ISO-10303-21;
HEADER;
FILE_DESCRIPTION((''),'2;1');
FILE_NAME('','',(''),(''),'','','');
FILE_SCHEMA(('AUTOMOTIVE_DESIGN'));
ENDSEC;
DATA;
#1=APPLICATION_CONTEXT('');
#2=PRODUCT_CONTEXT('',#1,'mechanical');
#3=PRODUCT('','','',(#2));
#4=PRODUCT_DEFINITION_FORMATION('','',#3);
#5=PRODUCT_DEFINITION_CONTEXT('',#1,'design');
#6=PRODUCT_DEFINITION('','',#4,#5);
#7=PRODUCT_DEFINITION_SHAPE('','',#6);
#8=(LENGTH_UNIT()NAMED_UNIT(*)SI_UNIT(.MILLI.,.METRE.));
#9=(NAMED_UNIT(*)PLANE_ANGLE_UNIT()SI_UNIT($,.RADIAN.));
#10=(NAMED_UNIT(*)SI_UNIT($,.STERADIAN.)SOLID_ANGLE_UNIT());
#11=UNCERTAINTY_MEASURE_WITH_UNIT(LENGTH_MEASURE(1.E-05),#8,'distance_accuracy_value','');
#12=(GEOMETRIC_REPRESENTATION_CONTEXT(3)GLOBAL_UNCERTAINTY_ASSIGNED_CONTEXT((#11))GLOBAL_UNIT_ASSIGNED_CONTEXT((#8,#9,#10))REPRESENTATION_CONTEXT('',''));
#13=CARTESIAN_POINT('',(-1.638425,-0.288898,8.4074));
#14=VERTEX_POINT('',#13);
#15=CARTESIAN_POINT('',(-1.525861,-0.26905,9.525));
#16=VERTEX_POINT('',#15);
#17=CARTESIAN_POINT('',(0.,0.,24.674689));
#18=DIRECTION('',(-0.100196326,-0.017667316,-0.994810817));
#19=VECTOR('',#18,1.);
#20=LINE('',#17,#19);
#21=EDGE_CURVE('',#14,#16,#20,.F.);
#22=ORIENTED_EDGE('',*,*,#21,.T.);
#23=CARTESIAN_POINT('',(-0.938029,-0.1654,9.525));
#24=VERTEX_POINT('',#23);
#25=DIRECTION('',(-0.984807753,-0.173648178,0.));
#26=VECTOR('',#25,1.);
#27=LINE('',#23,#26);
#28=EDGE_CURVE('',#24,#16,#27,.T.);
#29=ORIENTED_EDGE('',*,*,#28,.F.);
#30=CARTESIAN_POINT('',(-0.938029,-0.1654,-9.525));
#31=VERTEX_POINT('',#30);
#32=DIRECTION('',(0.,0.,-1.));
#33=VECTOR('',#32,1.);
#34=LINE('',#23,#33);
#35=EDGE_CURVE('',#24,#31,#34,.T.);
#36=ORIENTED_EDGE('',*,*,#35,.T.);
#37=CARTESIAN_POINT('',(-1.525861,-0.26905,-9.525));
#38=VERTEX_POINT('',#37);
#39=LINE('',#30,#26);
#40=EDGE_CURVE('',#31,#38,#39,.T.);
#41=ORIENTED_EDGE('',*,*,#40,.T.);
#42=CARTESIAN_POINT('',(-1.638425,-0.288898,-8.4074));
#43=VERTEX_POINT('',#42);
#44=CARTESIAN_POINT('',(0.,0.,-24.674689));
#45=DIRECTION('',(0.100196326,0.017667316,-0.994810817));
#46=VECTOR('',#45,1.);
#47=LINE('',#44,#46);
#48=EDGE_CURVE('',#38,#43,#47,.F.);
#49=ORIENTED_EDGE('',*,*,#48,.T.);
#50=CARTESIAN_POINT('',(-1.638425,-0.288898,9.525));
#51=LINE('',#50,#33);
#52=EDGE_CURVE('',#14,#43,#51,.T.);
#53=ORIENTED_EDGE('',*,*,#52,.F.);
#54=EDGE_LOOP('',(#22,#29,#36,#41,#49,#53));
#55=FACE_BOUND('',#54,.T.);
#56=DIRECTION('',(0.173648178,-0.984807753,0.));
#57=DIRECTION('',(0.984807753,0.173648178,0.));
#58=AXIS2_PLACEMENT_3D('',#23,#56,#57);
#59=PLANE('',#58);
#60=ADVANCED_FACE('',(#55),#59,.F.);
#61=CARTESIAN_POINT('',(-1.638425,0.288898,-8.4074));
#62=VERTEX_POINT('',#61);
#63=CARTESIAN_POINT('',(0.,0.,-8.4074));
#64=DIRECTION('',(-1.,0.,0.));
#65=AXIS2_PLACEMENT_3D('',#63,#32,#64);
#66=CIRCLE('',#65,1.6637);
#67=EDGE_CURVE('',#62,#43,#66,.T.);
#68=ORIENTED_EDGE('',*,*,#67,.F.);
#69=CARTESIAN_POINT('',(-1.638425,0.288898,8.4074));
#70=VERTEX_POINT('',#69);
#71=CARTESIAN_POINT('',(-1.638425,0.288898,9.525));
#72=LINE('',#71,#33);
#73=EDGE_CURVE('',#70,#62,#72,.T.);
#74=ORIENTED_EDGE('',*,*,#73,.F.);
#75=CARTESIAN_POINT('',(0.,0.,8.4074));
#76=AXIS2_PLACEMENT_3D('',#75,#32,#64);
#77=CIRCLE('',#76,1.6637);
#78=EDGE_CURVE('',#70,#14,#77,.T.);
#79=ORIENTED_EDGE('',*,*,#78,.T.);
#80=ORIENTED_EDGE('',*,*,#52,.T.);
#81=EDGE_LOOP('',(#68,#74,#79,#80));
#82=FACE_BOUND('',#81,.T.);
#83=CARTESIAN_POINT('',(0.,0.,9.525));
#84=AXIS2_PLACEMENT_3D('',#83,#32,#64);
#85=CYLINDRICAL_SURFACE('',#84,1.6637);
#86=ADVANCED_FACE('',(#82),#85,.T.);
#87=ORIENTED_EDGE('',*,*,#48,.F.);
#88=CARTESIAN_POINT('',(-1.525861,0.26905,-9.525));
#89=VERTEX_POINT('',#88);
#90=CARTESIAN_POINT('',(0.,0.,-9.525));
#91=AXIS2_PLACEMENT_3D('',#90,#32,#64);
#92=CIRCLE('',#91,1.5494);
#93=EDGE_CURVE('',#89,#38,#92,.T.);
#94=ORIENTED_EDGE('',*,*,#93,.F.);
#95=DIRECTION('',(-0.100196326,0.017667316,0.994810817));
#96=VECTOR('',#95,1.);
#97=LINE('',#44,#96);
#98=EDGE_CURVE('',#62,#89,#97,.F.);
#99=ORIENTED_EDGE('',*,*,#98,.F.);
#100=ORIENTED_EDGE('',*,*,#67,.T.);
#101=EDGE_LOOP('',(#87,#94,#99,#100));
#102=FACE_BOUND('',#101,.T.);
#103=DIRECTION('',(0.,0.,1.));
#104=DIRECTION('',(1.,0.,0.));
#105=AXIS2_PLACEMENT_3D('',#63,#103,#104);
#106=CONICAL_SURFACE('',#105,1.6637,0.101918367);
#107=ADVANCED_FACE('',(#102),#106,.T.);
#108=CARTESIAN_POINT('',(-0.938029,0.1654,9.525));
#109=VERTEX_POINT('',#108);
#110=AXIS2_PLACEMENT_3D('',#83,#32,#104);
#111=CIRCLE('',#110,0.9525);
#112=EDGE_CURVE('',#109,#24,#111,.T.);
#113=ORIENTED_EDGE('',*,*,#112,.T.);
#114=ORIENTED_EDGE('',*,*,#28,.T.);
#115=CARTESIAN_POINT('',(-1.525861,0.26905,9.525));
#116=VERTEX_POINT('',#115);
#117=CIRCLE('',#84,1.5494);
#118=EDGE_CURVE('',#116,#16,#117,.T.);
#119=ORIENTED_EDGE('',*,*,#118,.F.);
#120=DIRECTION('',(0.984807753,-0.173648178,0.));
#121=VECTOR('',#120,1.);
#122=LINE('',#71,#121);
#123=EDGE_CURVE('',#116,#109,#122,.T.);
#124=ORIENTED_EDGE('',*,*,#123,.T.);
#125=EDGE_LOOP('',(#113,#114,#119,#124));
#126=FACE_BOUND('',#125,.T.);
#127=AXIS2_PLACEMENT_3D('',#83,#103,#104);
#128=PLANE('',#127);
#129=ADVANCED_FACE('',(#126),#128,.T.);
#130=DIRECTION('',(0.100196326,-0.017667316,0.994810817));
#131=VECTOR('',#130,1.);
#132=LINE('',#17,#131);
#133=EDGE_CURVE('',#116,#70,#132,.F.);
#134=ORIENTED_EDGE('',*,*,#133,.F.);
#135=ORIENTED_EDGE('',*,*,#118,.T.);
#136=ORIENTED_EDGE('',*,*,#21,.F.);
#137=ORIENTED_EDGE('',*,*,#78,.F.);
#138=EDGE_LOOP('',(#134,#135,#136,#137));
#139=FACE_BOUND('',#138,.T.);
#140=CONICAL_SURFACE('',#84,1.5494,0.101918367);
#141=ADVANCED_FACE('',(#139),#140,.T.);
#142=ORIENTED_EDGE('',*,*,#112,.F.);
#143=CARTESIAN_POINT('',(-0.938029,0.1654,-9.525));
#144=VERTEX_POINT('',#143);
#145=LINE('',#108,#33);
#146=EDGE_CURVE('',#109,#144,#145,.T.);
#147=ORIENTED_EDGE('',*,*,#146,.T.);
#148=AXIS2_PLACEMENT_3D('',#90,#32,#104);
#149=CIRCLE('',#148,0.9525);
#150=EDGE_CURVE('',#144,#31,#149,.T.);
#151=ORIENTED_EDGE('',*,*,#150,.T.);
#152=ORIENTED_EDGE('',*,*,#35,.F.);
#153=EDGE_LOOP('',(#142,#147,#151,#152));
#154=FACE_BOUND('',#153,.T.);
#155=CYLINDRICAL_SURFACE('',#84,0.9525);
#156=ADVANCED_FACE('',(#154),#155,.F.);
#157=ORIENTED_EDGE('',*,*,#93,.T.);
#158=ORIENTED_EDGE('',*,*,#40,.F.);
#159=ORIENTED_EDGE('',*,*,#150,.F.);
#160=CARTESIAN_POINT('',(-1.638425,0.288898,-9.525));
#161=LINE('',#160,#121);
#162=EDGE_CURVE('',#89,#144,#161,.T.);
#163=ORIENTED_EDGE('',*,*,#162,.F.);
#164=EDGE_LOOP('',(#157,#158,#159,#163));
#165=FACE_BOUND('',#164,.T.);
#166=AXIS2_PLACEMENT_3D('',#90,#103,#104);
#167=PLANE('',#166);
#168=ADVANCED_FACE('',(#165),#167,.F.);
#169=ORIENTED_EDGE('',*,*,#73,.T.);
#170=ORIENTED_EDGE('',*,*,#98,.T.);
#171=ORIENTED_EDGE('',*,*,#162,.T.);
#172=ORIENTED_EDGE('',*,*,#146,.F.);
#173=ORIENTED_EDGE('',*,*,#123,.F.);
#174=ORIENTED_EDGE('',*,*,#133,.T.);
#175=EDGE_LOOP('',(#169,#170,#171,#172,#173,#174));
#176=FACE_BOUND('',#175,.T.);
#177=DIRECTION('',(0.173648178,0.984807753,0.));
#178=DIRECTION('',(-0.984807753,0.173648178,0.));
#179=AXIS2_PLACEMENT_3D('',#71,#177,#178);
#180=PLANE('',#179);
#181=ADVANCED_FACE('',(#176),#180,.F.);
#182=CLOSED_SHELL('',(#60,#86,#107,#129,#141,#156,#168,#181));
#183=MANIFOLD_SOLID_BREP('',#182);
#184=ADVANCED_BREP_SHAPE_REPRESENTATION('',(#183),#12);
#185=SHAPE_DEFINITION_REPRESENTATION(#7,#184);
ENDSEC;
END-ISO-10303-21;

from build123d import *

# Parameters (mm, degrees)
EXTRUDE1_DEPTH = 9.525


with BuildPart() as part:
    # Sketch1 → Extrude1 (new body, symmetric)
    with BuildSketch(Plane.XY):
        with BuildLine():
            Line((-1.638424659, 0.288898473), (-0.938029385, 0.165399889))
            ThreePointArc((-0.938029385, 0.165399889), (0.9525, 0), (-0.938029385, -0.165399889))
            Line((-0.938029385, -0.165399889), (-1.638424659, -0.288898473))
            ThreePointArc((-1.638424659, -0.288898473), (1.6637, 0), (-1.638424659, 0.288898473))
        make_face()
    extrude(amount=EXTRUDE1_DEPTH, both=True)

    # Sketch2 → Cut-Revolve1 (revolve, cut)
    with BuildSketch(Plane(origin=(0, 0, 0), x_dir=(0, 0, -1), z_dir=(1, 0, 0))):
        Polygon((9.525, 1.6637), (9.525, 1.5494), (8.4074, 1.6637), align=None)
        Polygon((-8.4074, 1.6637), (-9.525, 1.6637), (-9.525, 1.5494), align=None)
    revolve(axis=Axis((0, 0, -9.525), (0, 0, 1)), mode=Mode.SUBTRACT)


solid = part.part
